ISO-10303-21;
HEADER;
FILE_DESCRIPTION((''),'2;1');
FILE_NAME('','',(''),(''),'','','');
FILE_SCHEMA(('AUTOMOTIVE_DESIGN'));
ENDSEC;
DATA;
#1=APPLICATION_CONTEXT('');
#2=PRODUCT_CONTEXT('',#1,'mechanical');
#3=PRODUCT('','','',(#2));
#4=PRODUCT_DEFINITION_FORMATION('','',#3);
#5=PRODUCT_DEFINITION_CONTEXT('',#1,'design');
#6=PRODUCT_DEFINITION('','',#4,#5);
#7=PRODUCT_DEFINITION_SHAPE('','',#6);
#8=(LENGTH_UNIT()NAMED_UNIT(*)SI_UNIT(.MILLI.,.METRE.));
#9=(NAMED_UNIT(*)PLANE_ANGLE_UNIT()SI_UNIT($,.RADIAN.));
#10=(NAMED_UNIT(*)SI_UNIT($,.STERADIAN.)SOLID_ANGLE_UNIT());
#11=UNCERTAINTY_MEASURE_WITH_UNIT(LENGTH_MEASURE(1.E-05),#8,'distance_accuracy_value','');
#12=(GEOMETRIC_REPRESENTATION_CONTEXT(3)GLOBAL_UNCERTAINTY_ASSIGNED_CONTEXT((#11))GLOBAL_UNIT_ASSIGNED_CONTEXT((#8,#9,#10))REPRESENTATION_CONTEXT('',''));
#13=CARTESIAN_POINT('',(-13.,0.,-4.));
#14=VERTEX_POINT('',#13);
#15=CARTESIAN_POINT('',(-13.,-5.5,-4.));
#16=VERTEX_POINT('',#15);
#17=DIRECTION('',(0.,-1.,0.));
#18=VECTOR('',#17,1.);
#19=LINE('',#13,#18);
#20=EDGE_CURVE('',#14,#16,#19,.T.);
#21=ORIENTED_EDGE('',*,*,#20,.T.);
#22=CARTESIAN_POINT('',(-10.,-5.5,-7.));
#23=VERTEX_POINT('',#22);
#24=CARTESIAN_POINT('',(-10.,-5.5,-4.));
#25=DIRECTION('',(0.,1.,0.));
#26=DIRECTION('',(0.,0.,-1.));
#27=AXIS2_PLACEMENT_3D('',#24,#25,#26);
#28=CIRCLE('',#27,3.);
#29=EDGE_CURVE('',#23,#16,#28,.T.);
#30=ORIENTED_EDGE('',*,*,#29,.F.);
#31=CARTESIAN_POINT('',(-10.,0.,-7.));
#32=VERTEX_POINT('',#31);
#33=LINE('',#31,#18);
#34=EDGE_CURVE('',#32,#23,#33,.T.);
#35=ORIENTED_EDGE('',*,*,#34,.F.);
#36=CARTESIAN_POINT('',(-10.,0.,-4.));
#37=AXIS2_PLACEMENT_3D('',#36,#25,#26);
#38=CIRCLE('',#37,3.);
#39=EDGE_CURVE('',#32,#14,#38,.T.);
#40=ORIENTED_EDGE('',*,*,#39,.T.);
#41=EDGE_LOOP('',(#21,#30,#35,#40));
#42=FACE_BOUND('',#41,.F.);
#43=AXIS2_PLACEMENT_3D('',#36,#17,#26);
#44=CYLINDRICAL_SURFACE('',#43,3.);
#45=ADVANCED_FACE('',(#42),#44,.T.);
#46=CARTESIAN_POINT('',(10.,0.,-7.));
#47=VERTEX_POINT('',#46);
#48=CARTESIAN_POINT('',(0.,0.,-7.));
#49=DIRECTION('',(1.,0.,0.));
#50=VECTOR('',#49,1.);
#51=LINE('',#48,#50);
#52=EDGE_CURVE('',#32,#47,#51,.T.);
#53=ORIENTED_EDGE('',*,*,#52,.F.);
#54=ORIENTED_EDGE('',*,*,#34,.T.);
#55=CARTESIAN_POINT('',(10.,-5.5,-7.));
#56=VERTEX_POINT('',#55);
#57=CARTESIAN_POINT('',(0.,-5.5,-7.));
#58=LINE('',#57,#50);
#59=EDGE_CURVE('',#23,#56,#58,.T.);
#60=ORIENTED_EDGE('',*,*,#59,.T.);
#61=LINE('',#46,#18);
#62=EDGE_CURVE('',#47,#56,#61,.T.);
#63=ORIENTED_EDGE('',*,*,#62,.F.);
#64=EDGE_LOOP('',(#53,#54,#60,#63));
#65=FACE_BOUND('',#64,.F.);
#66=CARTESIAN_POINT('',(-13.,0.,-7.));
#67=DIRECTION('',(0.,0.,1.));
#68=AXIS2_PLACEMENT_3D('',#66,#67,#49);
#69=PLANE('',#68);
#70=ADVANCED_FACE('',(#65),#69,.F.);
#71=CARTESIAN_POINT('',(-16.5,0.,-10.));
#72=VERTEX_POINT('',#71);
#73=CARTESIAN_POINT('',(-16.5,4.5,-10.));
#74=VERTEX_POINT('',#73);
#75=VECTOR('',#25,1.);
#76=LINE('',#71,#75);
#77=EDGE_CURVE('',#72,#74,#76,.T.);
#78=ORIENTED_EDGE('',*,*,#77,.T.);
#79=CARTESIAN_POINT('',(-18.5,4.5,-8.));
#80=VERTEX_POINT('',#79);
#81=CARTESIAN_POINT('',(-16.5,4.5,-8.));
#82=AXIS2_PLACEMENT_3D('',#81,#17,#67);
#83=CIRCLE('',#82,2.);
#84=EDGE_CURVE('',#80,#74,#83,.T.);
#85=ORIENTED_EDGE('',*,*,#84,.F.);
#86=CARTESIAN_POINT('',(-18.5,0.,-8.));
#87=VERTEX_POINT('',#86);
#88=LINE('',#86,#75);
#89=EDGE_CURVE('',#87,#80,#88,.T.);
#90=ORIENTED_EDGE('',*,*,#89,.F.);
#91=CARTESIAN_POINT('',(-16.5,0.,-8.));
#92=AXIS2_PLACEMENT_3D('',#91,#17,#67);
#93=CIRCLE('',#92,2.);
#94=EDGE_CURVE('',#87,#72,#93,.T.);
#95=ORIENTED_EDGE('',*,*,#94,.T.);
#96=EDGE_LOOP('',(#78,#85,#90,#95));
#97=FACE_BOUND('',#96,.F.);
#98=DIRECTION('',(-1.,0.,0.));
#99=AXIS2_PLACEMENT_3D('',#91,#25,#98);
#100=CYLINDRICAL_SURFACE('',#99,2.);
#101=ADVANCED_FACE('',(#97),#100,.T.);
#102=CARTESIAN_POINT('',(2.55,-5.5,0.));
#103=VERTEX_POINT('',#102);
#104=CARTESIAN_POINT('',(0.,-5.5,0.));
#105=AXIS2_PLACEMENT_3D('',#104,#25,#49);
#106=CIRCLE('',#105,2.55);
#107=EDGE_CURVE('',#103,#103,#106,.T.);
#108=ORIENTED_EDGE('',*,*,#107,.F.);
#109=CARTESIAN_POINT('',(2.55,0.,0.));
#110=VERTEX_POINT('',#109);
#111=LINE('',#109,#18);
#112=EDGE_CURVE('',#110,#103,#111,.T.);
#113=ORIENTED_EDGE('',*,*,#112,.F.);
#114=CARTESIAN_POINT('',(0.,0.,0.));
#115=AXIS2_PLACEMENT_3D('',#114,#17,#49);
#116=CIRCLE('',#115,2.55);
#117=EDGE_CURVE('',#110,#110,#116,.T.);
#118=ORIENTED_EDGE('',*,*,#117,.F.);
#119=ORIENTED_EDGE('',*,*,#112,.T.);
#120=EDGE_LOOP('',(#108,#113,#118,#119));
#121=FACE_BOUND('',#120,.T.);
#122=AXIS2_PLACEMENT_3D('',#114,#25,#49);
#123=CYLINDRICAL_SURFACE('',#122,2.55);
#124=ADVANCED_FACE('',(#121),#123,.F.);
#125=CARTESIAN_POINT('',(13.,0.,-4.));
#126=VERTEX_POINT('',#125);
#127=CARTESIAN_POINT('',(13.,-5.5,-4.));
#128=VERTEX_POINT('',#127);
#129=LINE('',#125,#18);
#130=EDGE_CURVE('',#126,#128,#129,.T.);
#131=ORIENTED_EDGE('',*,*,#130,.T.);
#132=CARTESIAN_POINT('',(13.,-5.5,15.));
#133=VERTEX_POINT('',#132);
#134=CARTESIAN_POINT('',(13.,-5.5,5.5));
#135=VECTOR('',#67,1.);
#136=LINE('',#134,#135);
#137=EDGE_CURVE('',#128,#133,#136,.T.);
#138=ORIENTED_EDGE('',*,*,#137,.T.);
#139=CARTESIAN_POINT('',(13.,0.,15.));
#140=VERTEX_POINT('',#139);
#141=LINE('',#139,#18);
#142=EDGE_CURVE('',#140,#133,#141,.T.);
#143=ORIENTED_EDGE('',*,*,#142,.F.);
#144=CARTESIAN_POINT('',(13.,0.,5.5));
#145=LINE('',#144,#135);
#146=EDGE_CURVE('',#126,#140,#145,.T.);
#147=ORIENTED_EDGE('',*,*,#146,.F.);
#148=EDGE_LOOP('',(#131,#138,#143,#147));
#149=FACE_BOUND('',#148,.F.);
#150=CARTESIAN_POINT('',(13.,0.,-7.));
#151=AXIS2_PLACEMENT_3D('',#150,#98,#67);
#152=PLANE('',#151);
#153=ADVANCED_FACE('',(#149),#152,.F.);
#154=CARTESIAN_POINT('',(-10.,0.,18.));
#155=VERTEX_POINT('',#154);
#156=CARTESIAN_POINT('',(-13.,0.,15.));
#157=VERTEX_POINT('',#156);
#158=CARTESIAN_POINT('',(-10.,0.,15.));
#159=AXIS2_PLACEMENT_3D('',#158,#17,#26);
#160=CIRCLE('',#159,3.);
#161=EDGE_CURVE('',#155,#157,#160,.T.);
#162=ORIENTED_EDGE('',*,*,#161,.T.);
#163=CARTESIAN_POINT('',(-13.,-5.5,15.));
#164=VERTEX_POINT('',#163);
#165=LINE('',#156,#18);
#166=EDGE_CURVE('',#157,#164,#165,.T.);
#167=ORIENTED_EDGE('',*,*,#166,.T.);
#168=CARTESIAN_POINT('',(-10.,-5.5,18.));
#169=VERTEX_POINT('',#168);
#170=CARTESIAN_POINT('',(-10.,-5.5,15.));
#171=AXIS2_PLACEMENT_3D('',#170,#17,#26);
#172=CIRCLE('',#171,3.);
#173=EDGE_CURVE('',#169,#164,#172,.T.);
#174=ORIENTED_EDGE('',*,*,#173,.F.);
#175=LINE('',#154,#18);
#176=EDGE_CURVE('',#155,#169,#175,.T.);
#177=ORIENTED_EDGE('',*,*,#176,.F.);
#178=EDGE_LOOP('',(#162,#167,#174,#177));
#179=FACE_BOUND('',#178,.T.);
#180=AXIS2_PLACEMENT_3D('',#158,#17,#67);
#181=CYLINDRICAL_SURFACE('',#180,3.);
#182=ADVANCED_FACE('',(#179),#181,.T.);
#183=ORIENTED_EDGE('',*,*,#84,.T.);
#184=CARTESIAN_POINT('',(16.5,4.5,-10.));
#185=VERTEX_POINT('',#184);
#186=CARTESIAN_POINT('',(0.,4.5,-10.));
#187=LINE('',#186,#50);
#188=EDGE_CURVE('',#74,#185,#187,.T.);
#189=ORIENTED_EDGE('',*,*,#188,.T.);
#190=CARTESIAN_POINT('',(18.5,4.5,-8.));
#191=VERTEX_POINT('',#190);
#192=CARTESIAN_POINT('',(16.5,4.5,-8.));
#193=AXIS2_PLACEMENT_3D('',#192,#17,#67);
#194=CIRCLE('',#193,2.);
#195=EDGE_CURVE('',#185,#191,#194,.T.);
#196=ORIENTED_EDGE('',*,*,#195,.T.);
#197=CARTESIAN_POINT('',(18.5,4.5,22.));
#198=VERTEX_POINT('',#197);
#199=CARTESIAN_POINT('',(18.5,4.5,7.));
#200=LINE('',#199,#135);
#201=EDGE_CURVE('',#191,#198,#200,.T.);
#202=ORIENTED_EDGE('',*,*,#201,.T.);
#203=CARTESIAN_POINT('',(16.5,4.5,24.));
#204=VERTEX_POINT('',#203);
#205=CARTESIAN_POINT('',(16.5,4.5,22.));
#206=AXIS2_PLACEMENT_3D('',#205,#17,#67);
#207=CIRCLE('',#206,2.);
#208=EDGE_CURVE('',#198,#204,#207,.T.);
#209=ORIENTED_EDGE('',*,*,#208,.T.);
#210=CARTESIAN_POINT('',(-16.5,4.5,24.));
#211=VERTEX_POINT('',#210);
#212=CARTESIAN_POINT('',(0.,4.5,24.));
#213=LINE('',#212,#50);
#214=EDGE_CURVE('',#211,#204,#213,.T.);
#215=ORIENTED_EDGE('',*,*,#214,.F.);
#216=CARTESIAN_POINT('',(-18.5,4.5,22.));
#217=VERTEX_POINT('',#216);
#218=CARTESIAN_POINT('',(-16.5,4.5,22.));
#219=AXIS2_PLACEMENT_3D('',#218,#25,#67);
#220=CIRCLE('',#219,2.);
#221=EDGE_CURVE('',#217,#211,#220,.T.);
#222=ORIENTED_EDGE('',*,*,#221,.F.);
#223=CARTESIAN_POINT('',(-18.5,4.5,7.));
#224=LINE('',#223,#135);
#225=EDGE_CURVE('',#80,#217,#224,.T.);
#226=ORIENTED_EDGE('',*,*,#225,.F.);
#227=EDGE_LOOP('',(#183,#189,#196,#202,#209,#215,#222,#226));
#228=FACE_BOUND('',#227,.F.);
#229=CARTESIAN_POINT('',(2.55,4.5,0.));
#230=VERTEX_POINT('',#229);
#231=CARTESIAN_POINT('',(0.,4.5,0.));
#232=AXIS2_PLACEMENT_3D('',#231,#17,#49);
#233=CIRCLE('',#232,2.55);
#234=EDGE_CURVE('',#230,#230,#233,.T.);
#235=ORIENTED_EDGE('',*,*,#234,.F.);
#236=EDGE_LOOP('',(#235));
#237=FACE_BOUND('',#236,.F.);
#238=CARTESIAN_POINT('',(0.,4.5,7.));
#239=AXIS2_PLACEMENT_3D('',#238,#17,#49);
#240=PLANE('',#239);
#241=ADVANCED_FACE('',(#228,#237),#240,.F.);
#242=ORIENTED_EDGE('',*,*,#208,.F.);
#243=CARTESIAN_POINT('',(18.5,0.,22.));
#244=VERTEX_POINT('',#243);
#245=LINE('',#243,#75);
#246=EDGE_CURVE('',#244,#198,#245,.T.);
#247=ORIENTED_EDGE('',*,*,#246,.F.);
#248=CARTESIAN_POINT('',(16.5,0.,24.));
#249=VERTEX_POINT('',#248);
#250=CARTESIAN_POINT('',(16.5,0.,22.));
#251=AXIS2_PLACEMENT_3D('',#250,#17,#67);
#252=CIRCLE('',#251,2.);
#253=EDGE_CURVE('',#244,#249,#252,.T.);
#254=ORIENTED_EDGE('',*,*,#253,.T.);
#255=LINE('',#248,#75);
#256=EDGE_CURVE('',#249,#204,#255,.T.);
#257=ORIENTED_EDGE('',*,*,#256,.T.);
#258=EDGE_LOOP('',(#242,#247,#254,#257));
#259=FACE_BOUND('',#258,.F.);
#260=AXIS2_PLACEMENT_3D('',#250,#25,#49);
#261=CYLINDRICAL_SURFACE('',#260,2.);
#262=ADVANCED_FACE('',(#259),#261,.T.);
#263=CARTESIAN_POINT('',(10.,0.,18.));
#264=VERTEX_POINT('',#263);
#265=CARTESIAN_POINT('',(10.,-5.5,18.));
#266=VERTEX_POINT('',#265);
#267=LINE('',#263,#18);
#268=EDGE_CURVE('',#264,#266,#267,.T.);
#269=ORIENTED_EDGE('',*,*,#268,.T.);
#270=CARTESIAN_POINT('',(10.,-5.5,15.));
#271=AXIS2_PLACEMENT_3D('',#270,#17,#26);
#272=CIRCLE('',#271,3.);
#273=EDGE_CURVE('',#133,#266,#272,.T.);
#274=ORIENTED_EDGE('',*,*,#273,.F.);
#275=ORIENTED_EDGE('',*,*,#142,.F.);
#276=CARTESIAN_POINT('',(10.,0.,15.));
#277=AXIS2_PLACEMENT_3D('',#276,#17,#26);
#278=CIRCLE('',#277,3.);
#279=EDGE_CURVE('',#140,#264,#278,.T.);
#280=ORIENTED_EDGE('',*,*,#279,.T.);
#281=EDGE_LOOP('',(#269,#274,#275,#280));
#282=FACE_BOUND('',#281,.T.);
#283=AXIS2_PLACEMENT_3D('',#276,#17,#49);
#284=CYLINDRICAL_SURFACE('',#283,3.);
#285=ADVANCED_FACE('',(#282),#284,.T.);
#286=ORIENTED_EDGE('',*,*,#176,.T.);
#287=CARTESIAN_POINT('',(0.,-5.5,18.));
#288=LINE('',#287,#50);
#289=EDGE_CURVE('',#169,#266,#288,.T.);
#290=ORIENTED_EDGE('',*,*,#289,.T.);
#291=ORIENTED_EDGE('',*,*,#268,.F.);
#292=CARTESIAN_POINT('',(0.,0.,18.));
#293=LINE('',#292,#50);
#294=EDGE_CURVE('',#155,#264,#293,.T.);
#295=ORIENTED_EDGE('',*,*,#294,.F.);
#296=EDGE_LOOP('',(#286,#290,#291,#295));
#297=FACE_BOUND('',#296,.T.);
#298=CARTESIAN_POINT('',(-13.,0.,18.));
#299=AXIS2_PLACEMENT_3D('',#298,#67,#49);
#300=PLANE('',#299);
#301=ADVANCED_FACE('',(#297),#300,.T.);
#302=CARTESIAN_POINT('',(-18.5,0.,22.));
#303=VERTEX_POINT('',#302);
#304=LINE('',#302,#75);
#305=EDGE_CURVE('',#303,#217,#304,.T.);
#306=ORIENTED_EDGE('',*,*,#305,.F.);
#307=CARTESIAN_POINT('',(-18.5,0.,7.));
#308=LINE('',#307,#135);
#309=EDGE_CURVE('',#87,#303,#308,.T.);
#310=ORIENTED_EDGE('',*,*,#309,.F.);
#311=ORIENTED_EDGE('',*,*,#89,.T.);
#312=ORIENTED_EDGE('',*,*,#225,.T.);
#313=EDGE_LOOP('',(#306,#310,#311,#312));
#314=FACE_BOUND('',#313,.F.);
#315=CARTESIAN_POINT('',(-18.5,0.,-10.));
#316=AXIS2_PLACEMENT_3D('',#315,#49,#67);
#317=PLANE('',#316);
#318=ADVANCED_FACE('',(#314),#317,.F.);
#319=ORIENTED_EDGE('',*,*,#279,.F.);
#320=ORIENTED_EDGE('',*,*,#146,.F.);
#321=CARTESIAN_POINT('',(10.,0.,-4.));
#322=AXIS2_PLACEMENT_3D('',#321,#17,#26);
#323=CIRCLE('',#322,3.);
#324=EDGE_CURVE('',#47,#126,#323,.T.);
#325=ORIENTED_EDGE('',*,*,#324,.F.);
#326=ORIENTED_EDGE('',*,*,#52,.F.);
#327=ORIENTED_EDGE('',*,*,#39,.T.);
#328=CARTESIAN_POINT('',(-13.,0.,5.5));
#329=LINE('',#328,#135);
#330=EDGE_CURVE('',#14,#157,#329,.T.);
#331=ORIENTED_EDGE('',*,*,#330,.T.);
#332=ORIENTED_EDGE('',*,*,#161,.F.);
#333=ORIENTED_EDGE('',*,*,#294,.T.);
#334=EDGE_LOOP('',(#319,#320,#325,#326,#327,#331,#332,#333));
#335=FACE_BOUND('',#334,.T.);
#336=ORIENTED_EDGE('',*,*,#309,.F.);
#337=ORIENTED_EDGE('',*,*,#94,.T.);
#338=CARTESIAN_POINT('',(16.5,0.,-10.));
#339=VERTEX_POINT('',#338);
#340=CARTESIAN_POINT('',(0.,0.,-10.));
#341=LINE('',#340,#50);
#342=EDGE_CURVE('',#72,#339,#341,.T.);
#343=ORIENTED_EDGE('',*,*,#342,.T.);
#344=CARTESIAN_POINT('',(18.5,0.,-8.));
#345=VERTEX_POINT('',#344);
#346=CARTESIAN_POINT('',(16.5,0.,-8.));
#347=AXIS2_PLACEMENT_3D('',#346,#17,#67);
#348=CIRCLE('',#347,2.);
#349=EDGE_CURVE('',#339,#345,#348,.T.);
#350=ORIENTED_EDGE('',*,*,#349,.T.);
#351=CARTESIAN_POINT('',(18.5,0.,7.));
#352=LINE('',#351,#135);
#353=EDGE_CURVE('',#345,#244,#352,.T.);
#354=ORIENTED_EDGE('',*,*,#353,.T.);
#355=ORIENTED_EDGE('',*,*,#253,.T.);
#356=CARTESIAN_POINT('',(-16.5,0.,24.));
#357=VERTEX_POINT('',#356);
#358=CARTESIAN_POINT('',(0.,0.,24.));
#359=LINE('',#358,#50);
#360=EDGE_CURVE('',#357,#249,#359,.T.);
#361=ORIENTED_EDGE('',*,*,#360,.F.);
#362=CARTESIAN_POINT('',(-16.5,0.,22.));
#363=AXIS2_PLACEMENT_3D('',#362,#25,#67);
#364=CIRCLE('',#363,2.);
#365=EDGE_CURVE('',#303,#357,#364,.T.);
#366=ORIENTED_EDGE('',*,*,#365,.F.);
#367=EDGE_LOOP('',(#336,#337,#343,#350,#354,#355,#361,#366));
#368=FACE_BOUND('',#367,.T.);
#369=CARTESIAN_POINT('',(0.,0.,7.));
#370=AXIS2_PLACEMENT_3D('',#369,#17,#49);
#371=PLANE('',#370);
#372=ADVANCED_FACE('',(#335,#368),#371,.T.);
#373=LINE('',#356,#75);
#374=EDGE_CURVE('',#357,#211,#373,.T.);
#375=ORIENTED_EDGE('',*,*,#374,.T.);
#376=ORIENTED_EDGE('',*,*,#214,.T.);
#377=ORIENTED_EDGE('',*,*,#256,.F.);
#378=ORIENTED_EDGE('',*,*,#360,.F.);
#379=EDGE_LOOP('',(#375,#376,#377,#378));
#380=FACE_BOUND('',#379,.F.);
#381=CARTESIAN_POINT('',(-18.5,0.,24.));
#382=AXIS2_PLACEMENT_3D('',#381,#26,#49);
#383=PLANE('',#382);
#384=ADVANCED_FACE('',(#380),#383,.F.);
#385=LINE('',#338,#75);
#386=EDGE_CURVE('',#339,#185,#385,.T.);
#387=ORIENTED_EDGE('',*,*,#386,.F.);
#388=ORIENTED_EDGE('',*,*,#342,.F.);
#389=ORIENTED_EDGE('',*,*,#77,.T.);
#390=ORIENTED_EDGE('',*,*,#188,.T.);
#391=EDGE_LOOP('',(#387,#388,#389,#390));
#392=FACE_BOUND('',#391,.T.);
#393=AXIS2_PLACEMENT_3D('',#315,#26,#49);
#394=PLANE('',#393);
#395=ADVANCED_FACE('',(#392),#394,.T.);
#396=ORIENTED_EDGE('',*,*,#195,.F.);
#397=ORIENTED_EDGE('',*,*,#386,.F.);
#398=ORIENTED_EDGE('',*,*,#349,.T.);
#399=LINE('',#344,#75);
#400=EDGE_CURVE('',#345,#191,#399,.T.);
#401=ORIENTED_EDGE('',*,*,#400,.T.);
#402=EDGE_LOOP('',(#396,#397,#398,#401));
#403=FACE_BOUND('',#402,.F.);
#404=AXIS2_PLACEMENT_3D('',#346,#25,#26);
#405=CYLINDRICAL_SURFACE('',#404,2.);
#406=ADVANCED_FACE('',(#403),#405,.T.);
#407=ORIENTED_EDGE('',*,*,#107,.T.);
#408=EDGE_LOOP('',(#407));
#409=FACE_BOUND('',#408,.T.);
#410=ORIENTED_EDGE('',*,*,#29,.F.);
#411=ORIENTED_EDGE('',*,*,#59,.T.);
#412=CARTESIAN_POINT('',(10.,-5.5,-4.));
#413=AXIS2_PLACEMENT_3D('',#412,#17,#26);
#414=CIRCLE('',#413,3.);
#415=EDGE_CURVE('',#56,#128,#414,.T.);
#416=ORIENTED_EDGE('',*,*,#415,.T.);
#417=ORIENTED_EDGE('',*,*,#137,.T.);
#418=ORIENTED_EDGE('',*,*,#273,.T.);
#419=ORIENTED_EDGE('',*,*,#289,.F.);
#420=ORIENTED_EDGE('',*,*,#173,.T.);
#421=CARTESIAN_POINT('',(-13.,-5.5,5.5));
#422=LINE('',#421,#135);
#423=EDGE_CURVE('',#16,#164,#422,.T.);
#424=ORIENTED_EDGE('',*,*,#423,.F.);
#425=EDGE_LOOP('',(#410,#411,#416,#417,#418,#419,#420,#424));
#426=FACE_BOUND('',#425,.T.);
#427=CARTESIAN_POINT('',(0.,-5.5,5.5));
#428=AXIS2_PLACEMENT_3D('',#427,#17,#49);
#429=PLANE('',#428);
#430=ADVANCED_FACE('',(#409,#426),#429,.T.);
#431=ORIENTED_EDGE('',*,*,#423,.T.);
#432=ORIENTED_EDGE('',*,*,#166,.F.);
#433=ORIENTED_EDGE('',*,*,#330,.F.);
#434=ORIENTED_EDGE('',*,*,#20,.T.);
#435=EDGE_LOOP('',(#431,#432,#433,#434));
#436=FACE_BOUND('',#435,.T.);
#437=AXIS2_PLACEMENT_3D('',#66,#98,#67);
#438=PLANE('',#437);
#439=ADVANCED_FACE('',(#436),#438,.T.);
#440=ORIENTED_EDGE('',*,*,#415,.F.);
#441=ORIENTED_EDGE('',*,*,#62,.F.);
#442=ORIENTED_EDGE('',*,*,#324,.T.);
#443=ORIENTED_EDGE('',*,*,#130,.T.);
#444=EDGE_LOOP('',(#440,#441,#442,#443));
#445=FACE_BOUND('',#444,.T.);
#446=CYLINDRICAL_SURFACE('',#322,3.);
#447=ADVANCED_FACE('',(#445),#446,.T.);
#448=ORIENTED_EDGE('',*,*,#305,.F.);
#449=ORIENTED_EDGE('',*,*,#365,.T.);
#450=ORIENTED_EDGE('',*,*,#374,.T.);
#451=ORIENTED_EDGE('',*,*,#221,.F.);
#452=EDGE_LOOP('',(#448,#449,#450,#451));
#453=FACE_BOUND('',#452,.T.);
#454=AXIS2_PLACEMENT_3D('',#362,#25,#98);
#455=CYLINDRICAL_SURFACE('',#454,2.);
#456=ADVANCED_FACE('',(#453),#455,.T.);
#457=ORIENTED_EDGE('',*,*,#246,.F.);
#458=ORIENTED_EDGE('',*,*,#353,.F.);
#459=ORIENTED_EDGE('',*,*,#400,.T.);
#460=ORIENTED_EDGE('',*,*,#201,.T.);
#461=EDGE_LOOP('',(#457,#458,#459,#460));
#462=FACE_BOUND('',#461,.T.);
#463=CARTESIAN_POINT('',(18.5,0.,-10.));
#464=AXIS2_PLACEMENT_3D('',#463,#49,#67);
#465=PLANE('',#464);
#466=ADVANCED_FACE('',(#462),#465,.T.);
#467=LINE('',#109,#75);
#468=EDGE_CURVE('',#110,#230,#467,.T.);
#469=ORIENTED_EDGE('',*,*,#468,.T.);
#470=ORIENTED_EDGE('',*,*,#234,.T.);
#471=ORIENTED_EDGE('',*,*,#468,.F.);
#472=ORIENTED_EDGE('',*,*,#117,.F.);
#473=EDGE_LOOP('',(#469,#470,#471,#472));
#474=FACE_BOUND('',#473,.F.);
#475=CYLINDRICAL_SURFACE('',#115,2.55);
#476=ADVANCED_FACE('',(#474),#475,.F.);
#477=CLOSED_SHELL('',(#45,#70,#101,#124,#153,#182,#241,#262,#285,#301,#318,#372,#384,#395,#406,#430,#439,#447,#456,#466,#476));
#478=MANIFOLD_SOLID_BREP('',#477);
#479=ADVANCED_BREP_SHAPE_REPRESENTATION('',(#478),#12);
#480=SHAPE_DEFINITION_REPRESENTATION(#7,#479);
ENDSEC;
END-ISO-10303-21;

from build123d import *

# Parameters (mm, degrees)
SKETCH_W          = 37
SKETCH_H          = 34
PAD_DEPTH         = 4.5
FILLET_R          = 2
SKETCH001_W       = 26
SKETCH001_H       = 25
PAD001_DEPTH      = 5.5
FILLET001_R       = 3
SKETCH002_R       = 2.55
POCKET_DEPTH      = 4.501
POCKET_DEPTH_BACK = -5.501


with BuildPart() as part:
    # Sketch → Pad (new body)
    with BuildSketch(Plane.XZ):
        with Locations((0, 7)):
            Rectangle(SKETCH_W, SKETCH_H)
    extrude(amount=-PAD_DEPTH)

    # Fillet
    fillet_edges = [part.edges().sort_by_distance(p)[0] for p in [
        (18.5, 2.25, 24),
        (-18.5, 2.25, 24),
        (18.5, 2.25, -10),
        (-18.5, 2.25, -10),
    ]]
    fillet(fillet_edges, radius=FILLET_R)

    # Sketch001 → Pad001 (join)
    with BuildSketch(Plane.XZ):
        with Locations((0, 5.5)):
            Rectangle(SKETCH001_W, SKETCH001_H)
    extrude(amount=PAD001_DEPTH)

    # Fillet001
    fillet001_edges = [part.edges().sort_by_distance(p)[0] for p in [
        (-13, -2.75, -7),
        (13, -2.75, -7),
        (-13, -2.75, 18),
        (13, -2.75, 18),
    ]]
    fillet(fillet001_edges, radius=FILLET001_R)

    # Sketch002 → Pocket (cut, two sides)
    with BuildSketch(Plane.XZ) as pocket_sk:
        Circle(SKETCH002_R)
    extrude(amount=-POCKET_DEPTH, mode=Mode.SUBTRACT)
    extrude(pocket_sk.sketch, amount=-POCKET_DEPTH_BACK, mode=Mode.SUBTRACT)


solid = part.part
